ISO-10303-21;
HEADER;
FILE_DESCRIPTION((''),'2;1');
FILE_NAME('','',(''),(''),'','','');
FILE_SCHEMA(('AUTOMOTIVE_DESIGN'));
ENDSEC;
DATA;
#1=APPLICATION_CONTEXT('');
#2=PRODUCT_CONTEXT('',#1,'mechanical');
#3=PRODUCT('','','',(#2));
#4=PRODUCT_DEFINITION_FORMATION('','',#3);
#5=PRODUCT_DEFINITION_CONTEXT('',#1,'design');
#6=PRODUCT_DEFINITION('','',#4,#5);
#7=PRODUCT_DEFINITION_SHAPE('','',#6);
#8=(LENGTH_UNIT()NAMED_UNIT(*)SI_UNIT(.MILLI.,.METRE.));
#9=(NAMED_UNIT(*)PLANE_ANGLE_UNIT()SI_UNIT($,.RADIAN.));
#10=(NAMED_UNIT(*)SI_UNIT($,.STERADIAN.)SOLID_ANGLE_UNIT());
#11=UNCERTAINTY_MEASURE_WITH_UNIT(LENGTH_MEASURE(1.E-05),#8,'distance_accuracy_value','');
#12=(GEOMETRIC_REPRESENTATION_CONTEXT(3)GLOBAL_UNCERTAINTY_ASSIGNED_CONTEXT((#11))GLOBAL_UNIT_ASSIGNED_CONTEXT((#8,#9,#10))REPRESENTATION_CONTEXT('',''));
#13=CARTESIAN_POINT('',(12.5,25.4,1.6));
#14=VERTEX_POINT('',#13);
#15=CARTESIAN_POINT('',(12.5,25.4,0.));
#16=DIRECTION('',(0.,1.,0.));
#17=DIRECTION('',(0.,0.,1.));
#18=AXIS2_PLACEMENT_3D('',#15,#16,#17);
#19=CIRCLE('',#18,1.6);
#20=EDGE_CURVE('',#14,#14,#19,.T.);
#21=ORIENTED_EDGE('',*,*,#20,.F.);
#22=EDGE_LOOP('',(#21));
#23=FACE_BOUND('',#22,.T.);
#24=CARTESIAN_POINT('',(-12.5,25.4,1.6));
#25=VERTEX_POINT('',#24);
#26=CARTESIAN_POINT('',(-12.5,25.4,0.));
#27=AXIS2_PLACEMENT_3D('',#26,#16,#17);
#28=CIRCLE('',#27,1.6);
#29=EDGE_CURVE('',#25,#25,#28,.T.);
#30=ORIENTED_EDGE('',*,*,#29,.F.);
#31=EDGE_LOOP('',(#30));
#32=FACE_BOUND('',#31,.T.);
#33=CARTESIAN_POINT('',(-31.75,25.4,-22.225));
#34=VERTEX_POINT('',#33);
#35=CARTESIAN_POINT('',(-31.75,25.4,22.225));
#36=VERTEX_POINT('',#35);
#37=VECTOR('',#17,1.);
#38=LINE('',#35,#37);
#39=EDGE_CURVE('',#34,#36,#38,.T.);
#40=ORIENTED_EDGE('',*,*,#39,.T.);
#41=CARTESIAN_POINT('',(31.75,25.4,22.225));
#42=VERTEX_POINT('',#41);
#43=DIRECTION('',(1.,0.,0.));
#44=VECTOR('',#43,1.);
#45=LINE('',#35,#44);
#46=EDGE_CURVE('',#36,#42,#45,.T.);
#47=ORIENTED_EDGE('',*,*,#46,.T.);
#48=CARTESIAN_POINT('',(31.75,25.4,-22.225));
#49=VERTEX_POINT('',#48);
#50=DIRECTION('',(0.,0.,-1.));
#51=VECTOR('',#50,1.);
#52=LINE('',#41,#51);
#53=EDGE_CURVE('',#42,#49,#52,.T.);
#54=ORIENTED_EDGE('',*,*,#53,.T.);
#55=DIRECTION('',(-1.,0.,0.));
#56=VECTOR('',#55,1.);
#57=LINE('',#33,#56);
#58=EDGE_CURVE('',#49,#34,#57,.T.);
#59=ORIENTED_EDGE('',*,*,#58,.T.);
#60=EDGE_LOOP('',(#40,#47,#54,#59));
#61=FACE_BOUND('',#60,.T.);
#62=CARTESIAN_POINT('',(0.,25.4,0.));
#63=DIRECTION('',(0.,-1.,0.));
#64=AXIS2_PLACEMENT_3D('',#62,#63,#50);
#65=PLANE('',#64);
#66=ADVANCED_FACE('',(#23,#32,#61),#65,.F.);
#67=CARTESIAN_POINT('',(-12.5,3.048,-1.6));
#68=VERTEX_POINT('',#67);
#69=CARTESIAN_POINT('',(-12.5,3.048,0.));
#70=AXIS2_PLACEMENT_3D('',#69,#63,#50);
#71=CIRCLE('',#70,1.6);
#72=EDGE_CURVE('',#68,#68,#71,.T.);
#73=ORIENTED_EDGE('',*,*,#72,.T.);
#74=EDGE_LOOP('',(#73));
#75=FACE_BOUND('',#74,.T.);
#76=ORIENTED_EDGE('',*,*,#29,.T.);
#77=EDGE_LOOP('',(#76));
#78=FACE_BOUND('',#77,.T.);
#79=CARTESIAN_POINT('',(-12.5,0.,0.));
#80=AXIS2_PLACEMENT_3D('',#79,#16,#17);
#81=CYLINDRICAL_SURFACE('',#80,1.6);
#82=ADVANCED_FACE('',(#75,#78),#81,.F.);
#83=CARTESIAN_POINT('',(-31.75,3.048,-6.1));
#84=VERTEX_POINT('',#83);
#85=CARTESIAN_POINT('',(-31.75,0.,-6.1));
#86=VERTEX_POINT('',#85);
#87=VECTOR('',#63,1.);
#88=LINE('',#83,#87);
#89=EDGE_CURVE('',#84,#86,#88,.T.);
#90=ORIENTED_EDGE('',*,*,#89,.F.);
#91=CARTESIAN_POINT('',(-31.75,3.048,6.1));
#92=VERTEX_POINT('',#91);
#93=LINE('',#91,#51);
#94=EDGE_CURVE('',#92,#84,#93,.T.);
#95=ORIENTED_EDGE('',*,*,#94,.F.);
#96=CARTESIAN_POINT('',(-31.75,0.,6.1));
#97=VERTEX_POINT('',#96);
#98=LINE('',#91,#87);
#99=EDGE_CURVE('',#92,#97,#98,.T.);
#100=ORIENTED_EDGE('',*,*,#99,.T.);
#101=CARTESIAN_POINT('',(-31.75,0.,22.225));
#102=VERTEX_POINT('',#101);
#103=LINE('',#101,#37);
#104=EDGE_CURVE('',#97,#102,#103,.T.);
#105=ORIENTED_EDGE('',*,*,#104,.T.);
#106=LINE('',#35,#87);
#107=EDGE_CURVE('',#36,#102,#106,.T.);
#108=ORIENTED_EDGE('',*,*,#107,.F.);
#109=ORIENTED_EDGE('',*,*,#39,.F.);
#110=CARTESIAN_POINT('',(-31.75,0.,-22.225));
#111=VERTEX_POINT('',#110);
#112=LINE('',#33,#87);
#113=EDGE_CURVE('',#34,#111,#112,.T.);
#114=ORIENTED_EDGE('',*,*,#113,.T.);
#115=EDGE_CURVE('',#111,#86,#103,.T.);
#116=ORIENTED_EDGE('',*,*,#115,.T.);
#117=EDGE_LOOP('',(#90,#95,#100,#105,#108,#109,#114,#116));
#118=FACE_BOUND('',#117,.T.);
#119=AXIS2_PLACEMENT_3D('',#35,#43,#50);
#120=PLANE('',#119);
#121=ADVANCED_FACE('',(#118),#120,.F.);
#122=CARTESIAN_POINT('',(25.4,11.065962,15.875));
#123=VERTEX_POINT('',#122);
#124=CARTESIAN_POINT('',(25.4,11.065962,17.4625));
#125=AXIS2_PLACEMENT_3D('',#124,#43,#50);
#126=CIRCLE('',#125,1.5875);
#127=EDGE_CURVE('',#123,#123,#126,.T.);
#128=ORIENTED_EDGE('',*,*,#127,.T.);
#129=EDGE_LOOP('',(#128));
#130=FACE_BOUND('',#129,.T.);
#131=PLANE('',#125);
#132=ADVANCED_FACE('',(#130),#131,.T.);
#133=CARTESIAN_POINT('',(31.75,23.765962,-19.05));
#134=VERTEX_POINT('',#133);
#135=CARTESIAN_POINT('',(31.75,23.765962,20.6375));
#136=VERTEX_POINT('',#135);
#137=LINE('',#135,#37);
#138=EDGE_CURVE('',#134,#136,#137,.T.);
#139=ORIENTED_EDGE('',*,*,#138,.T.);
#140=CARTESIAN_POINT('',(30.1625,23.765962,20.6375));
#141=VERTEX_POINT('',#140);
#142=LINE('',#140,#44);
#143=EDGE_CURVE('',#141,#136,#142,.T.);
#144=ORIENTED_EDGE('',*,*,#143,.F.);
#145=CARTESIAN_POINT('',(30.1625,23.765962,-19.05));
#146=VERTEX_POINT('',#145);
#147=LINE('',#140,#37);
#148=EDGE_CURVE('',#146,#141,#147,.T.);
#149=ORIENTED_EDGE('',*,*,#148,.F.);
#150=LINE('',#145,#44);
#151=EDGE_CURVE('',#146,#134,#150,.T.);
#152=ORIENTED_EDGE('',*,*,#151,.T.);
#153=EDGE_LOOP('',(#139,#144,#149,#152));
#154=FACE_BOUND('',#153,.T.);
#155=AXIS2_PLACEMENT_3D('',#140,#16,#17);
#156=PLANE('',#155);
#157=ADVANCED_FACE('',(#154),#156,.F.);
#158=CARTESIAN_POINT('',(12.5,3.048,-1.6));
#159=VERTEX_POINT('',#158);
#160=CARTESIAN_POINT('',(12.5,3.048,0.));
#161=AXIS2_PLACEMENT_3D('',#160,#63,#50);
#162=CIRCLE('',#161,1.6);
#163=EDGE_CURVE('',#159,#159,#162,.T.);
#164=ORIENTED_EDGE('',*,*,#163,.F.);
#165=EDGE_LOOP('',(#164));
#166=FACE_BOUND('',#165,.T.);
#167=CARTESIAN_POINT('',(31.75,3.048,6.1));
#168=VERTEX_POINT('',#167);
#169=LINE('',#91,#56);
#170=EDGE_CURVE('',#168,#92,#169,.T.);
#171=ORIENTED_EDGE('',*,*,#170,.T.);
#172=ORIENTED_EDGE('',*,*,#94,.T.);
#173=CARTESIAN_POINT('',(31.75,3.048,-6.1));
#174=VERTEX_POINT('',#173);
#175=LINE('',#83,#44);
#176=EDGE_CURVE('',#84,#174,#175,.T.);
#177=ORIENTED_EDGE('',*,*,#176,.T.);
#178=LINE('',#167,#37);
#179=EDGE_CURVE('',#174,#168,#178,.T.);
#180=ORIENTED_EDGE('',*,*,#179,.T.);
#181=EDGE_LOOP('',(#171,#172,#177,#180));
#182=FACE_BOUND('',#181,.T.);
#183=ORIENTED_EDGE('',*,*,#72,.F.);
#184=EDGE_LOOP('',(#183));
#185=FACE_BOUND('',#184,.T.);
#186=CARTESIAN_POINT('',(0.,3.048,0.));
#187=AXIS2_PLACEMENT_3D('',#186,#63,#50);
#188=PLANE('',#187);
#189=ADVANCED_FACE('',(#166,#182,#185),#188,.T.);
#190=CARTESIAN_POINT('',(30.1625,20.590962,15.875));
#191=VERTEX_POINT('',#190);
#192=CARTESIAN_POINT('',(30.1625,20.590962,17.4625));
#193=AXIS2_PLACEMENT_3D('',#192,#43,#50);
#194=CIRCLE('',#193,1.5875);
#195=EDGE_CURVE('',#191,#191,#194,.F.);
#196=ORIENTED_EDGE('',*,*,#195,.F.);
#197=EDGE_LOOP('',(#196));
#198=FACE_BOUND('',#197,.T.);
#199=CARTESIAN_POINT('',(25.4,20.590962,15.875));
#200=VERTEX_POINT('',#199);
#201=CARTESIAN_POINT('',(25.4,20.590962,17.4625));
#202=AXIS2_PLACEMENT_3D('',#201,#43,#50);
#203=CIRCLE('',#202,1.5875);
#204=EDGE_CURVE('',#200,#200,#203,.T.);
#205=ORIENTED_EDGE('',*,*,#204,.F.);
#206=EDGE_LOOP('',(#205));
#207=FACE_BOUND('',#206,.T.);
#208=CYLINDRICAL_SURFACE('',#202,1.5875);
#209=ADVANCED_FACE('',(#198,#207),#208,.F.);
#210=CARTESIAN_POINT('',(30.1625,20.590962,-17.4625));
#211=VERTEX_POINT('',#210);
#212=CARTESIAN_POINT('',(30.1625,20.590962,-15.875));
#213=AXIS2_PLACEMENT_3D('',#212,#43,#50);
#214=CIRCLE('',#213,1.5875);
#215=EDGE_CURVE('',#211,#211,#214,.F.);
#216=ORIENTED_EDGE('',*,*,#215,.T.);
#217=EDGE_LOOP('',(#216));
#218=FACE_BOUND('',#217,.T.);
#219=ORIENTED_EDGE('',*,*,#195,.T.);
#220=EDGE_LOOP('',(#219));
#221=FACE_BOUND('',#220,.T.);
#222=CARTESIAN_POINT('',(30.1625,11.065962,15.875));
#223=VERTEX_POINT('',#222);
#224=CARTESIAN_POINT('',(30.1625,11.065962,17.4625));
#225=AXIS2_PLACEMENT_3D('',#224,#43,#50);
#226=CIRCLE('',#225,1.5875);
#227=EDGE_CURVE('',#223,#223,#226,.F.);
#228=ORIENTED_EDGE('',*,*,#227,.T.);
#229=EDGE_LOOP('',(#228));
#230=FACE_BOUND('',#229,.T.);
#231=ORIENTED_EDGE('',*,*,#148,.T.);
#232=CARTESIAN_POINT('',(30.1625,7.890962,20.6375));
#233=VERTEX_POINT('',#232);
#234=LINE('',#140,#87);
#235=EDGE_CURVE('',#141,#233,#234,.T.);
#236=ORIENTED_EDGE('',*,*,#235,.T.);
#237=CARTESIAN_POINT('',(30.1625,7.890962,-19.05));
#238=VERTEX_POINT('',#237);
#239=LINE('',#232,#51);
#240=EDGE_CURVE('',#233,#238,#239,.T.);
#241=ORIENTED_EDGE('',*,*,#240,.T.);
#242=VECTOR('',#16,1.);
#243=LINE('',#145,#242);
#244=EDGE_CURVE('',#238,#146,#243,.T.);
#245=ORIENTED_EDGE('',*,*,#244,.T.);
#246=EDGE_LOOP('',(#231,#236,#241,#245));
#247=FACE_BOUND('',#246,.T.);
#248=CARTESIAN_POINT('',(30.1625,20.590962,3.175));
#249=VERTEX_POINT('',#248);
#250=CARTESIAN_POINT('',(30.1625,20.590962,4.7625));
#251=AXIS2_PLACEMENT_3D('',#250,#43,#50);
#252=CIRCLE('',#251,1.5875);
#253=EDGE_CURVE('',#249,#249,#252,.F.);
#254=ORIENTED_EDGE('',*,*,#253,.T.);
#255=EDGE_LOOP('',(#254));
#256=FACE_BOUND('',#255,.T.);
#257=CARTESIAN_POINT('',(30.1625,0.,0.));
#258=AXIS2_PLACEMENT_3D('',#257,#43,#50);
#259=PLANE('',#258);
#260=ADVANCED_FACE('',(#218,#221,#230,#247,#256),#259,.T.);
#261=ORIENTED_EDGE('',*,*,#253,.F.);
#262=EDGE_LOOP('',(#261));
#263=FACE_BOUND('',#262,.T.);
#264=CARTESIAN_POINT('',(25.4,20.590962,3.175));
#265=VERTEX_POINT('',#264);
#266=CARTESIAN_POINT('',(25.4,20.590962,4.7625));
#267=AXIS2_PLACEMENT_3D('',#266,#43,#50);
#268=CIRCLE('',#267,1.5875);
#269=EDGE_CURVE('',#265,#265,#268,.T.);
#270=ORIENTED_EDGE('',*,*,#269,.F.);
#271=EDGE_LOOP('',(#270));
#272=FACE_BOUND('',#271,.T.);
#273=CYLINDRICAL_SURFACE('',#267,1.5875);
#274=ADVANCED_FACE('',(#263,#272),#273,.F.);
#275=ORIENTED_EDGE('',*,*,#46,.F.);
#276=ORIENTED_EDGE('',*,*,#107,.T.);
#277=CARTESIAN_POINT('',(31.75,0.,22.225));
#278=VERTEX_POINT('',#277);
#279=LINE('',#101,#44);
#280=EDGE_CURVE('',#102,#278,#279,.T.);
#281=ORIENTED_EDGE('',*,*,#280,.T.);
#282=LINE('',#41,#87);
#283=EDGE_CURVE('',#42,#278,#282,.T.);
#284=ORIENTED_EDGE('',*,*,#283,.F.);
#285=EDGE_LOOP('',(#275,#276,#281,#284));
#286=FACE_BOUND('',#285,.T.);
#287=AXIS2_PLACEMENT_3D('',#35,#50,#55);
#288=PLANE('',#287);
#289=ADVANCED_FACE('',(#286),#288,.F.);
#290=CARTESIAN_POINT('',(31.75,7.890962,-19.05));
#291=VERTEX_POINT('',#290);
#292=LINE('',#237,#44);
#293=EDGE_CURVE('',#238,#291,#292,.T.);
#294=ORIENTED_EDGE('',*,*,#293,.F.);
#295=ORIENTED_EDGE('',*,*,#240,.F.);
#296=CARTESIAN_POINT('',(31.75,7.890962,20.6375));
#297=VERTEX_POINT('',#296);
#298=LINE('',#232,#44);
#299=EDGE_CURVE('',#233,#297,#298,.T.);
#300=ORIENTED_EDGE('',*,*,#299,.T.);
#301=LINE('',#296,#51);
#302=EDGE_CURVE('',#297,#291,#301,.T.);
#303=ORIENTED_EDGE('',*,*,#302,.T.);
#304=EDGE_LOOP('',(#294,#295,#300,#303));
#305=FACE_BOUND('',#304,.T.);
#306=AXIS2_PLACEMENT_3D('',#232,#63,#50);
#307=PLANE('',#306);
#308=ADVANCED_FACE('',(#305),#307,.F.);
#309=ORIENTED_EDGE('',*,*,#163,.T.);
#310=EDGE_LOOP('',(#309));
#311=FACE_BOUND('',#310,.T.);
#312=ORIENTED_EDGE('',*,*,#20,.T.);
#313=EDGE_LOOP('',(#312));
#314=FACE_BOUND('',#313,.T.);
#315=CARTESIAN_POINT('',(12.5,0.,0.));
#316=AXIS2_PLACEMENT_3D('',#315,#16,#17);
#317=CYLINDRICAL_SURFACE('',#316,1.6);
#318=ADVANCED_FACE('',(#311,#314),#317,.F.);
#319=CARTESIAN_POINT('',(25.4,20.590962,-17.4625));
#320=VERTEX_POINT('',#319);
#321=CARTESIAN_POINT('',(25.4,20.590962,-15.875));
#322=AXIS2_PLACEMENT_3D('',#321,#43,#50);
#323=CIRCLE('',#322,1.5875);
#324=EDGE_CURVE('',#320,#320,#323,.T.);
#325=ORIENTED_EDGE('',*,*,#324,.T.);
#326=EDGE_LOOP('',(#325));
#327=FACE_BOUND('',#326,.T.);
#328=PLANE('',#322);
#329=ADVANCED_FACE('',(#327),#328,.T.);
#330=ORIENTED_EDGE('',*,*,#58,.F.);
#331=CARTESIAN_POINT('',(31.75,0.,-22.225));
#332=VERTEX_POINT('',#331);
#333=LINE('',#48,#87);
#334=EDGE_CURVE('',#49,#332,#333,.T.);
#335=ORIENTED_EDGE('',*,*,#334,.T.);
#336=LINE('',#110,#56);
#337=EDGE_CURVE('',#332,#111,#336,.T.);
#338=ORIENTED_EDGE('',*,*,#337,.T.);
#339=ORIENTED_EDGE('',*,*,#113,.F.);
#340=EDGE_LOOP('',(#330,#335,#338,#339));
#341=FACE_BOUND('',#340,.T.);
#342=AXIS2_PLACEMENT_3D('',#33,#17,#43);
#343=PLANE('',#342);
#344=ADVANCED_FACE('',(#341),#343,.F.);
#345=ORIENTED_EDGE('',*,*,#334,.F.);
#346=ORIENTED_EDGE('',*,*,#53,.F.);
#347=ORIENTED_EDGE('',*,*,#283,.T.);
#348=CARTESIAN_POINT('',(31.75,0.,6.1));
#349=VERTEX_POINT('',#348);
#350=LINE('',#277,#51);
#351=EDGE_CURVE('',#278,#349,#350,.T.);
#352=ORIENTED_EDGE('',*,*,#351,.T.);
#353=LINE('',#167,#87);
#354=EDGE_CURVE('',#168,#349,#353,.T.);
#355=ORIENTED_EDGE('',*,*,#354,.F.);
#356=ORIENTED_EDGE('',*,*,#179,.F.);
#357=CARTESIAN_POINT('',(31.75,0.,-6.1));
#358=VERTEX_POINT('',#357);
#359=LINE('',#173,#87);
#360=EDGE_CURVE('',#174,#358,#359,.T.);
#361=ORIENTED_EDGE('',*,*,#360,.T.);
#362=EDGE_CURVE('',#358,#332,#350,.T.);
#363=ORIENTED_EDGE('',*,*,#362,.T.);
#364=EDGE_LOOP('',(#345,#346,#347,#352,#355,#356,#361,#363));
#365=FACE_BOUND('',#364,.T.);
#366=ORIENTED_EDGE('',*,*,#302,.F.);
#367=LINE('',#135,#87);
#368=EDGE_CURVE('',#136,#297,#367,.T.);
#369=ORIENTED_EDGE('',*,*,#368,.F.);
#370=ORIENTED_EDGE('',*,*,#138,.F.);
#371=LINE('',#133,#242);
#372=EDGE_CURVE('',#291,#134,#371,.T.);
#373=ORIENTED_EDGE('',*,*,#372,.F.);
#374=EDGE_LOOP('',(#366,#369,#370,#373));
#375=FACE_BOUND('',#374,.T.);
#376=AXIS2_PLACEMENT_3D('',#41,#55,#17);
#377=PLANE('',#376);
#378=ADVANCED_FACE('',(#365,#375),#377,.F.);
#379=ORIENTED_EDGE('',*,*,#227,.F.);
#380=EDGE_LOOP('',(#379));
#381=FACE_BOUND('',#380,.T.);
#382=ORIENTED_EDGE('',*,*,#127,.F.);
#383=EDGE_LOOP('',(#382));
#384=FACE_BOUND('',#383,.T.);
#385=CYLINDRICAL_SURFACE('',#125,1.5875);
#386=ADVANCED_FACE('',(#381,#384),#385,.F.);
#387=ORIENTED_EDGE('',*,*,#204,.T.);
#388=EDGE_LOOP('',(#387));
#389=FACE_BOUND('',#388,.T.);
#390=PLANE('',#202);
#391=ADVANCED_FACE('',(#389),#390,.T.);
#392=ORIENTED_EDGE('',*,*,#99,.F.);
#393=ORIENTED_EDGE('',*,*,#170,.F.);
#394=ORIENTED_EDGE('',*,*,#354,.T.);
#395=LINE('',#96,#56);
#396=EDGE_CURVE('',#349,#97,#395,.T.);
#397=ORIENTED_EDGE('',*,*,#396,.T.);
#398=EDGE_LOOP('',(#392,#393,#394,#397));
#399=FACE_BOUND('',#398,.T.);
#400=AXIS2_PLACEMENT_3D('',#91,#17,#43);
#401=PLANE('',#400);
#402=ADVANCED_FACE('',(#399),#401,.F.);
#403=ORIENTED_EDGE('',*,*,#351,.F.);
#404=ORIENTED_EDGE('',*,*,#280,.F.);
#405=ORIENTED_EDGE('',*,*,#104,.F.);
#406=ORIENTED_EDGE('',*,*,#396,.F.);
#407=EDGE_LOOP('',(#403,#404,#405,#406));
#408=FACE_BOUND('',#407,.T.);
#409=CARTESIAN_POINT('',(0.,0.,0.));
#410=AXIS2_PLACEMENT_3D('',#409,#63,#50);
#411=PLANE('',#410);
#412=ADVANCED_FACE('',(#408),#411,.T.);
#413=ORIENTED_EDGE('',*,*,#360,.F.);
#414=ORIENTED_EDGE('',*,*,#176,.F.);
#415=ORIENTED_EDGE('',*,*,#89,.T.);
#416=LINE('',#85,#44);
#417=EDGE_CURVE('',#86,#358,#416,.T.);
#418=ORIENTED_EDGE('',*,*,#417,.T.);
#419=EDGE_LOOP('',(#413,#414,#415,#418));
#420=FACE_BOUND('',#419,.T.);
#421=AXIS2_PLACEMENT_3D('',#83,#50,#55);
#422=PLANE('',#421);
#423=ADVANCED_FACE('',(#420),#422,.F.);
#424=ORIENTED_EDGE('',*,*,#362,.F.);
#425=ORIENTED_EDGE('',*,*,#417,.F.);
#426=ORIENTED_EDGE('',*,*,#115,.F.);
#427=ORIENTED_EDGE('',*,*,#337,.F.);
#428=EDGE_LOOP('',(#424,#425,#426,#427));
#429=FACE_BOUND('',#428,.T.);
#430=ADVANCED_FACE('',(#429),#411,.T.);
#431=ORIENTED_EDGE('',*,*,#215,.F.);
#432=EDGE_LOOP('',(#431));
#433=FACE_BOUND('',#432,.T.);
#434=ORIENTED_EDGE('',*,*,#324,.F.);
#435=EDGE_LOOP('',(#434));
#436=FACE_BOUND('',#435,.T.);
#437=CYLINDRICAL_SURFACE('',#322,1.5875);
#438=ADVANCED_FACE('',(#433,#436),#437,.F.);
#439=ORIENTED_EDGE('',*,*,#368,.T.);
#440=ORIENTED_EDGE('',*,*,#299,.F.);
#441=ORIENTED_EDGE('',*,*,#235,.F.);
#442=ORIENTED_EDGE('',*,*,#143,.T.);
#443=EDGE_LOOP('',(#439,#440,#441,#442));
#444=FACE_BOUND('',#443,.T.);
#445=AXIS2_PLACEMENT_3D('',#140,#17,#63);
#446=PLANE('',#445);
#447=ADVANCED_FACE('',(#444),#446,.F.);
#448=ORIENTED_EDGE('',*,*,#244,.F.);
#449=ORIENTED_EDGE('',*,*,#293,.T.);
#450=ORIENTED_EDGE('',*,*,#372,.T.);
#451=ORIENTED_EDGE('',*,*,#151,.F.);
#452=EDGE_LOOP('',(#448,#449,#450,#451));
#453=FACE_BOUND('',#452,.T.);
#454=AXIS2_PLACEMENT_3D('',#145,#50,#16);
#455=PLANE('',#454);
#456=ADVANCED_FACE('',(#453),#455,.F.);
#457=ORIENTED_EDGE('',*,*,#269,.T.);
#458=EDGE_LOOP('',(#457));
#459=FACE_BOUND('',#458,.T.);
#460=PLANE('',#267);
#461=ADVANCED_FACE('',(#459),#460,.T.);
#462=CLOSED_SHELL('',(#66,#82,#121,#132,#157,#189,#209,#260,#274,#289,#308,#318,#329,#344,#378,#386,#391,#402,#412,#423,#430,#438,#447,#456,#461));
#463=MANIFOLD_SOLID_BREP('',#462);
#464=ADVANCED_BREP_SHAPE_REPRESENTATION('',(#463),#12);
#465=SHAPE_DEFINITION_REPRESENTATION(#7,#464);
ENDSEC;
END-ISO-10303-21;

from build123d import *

# Parameters (mm, degrees)
SKETCH2_W           = 63.5
SKETCH2_H           = 44.45
BOSS_EXTRUDE1_DEPTH = 25.4
SKETCH3_W           = 63.5
SKETCH3_H           = 12.2
CUT_EXTRUDE1_DEPTH  = 3.048
SKETCH4_R           = 1.6
CUT_EXTRUDE2_DEPTH  = 47.337599474
SKETCH10_R          = 1.5875
CUT_EXTRUDE3_DEPTH  = 6.35
SKETCH8_R           = 1.5875
CUT_EXTRUDE4_DEPTH  = 6.35
SKETCH5_R           = 1.5875
CUT_EXTRUDE5_DEPTH  = 6.35
SKETCH6_R           = 1.5875
CUT_EXTRUDE6_DEPTH  = 6.35
SKETCH11_W          = 39.6875
SKETCH11_H          = 15.875
CUT_EXTRUDE8_DEPTH  = 1.5875


with BuildPart() as part:
    # Sketch2 → Boss-Extrude1 (new body)
    with BuildSketch(Plane(origin=(0, 0, 0), x_dir=(1, 0, 0), z_dir=(0, 1, 0))):
        Rectangle(SKETCH2_W, SKETCH2_H)
    extrude(amount=BOSS_EXTRUDE1_DEPTH)

    # Sketch3 → Cut-Extrude1 (cut)
    with BuildSketch(Plane.XZ):
        Rectangle(SKETCH3_W, SKETCH3_H)
    extrude(amount=-CUT_EXTRUDE1_DEPTH, mode=Mode.SUBTRACT)

    # Sketch4 → Cut-Extrude2 (cut, through all)
    with BuildSketch(Plane(origin=(0, 25.4, 0), x_dir=(1, 0, 0), z_dir=(0, 1, 0))):
        with Locations(Location((-12.5, 0, 0), (0, 0, 270))):
            Circle(SKETCH4_R)
        with Locations(Location((12.5, 0, 0), (0, 0, 270))):
            Circle(SKETCH4_R)
    extrude(amount=-CUT_EXTRUDE2_DEPTH, mode=Mode.SUBTRACT)

    # Sketch10 → Cut-Extrude3 (cut)
    with BuildSketch(Plane(origin=(31.75, 0, 0), x_dir=(0, 0, -1), z_dir=(1, 0, 0))):
        with Locations((15.875, 20.590962003)):
            Circle(SKETCH10_R)
    extrude(amount=-CUT_EXTRUDE3_DEPTH, mode=Mode.SUBTRACT)

    # Sketch8 → Cut-Extrude4 (cut)
    with BuildSketch(Plane(origin=(31.75, 1.540962003, -6.057895699), x_dir=(0, 0, -1), z_dir=(1, 0, 0))):
        with Locations((-10.820395699, 19.05)):
            Circle(SKETCH8_R)
    extrude(amount=-CUT_EXTRUDE4_DEPTH, mode=Mode.SUBTRACT)

    # Sketch5 → Cut-Extrude5 (cut)
    with BuildSketch(Plane(origin=(31.75, 1.540962003, -6.057895699), x_dir=(0, 0, -1), z_dir=(1, 0, 0))):
        with Locations((-23.520395699, 19.05)):
            Circle(SKETCH5_R)
    extrude(amount=-CUT_EXTRUDE5_DEPTH, mode=Mode.SUBTRACT)

    # Sketch6 → Cut-Extrude6 (cut)
    with BuildSketch(Plane(origin=(31.75, 1.540962003, -6.057895699), x_dir=(0, 0, -1), z_dir=(1, 0, 0))):
        with Locations((-23.520395699, 9.525)):
            Circle(SKETCH6_R)
    extrude(amount=-CUT_EXTRUDE6_DEPTH, mode=Mode.SUBTRACT)

    # Sketch11 → Cut-Extrude8 (cut)
    with BuildSketch(Plane(origin=(31.75, 1.540962003, -6.057895699), x_dir=(0, 0, -1), z_dir=(1, 0, 0))):
        with Locations((-6.851645699, 14.2875)):
            Rectangle(SKETCH11_W, SKETCH11_H)
    extrude(amount=-CUT_EXTRUDE8_DEPTH, mode=Mode.SUBTRACT)


solid = part.part
